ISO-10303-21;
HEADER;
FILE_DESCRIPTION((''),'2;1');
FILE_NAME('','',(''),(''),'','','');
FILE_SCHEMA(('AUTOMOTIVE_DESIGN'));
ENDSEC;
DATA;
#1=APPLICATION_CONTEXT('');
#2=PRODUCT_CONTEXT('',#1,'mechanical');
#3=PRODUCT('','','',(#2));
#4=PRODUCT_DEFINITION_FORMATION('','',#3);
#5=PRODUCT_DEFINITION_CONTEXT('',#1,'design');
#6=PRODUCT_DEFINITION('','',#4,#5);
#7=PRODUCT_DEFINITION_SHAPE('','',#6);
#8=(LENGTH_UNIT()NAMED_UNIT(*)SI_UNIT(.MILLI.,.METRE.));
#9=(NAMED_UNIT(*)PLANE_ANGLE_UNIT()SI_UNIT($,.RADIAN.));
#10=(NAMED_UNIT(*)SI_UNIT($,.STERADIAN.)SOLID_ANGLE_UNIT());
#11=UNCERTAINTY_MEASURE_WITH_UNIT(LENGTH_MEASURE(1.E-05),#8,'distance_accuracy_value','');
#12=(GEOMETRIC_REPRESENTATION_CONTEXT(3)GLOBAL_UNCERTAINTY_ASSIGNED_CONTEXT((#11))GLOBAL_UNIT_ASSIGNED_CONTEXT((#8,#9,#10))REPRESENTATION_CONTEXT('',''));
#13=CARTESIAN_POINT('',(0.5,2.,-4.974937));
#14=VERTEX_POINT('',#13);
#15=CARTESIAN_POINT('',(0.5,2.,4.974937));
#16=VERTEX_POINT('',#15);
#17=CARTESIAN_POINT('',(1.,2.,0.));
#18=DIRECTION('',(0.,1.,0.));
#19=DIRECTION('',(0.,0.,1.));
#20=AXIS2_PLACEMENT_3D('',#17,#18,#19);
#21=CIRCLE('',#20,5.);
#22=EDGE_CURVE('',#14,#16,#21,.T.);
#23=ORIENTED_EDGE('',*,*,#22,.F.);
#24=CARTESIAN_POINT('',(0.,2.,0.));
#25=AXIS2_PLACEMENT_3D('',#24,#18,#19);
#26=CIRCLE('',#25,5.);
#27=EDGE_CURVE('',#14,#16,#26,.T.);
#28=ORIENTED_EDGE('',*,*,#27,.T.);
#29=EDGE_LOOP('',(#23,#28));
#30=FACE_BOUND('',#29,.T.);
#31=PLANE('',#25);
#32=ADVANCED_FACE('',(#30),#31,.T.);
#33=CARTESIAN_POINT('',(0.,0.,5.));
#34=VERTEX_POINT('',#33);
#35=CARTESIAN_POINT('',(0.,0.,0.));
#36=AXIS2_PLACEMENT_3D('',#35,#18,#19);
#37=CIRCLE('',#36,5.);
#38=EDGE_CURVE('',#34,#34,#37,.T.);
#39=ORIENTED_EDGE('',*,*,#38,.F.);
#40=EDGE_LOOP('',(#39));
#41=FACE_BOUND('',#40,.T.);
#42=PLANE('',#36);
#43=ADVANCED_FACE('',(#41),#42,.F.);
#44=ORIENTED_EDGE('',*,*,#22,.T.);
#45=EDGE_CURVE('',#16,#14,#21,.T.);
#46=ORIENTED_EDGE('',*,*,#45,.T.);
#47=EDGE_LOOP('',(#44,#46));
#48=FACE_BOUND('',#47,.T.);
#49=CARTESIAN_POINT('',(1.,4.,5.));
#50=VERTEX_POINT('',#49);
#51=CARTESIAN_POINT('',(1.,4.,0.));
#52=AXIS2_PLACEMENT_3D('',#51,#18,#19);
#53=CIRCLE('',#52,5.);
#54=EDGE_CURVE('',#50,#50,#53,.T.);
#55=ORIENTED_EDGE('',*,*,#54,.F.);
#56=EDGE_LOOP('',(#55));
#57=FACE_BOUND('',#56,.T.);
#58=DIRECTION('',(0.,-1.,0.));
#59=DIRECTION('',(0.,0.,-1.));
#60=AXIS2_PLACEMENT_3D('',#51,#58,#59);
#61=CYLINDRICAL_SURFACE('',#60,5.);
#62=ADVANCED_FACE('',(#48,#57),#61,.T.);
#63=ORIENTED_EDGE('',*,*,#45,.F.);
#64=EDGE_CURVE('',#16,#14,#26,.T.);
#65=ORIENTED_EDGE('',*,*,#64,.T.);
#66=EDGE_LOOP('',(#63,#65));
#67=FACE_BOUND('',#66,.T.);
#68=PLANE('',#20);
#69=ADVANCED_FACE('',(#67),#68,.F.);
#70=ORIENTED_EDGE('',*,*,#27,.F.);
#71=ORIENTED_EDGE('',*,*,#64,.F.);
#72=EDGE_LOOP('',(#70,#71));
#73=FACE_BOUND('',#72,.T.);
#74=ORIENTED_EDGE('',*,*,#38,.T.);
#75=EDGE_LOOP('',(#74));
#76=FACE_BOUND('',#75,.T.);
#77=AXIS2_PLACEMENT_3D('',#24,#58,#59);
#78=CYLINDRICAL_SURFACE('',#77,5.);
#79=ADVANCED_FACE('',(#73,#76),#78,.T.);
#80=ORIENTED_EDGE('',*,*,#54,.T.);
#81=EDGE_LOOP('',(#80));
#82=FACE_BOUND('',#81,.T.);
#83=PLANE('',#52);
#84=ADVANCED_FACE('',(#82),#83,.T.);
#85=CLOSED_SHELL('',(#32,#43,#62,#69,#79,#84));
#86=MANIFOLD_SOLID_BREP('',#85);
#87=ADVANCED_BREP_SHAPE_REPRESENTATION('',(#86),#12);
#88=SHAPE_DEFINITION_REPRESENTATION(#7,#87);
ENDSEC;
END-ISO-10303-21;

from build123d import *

# Parameters (mm, degrees)
SKETCH1_R           = 5
BOSS_EXTRUDE1_DEPTH = 2
SKETCH2_R           = 5
BOSS_EXTRUDE2_DEPTH = 2


with BuildPart() as part:
    # Sketch1 → Boss-Extrude1 (new body)
    with BuildSketch(Plane(origin=(0, 0, 0), x_dir=(1, 0, 0), z_dir=(0, 1, 0))):
        Circle(SKETCH1_R)
    extrude(amount=BOSS_EXTRUDE1_DEPTH)

    # Sketch2 → Boss-Extrude2 (add)
    with BuildSketch(Plane(origin=(0, 2, 0), x_dir=(1, 0, 0), z_dir=(0, 1, 0))):
        with Locations((1, 0)):
            Circle(SKETCH2_R)
    extrude(amount=BOSS_EXTRUDE2_DEPTH)


solid = part.part
